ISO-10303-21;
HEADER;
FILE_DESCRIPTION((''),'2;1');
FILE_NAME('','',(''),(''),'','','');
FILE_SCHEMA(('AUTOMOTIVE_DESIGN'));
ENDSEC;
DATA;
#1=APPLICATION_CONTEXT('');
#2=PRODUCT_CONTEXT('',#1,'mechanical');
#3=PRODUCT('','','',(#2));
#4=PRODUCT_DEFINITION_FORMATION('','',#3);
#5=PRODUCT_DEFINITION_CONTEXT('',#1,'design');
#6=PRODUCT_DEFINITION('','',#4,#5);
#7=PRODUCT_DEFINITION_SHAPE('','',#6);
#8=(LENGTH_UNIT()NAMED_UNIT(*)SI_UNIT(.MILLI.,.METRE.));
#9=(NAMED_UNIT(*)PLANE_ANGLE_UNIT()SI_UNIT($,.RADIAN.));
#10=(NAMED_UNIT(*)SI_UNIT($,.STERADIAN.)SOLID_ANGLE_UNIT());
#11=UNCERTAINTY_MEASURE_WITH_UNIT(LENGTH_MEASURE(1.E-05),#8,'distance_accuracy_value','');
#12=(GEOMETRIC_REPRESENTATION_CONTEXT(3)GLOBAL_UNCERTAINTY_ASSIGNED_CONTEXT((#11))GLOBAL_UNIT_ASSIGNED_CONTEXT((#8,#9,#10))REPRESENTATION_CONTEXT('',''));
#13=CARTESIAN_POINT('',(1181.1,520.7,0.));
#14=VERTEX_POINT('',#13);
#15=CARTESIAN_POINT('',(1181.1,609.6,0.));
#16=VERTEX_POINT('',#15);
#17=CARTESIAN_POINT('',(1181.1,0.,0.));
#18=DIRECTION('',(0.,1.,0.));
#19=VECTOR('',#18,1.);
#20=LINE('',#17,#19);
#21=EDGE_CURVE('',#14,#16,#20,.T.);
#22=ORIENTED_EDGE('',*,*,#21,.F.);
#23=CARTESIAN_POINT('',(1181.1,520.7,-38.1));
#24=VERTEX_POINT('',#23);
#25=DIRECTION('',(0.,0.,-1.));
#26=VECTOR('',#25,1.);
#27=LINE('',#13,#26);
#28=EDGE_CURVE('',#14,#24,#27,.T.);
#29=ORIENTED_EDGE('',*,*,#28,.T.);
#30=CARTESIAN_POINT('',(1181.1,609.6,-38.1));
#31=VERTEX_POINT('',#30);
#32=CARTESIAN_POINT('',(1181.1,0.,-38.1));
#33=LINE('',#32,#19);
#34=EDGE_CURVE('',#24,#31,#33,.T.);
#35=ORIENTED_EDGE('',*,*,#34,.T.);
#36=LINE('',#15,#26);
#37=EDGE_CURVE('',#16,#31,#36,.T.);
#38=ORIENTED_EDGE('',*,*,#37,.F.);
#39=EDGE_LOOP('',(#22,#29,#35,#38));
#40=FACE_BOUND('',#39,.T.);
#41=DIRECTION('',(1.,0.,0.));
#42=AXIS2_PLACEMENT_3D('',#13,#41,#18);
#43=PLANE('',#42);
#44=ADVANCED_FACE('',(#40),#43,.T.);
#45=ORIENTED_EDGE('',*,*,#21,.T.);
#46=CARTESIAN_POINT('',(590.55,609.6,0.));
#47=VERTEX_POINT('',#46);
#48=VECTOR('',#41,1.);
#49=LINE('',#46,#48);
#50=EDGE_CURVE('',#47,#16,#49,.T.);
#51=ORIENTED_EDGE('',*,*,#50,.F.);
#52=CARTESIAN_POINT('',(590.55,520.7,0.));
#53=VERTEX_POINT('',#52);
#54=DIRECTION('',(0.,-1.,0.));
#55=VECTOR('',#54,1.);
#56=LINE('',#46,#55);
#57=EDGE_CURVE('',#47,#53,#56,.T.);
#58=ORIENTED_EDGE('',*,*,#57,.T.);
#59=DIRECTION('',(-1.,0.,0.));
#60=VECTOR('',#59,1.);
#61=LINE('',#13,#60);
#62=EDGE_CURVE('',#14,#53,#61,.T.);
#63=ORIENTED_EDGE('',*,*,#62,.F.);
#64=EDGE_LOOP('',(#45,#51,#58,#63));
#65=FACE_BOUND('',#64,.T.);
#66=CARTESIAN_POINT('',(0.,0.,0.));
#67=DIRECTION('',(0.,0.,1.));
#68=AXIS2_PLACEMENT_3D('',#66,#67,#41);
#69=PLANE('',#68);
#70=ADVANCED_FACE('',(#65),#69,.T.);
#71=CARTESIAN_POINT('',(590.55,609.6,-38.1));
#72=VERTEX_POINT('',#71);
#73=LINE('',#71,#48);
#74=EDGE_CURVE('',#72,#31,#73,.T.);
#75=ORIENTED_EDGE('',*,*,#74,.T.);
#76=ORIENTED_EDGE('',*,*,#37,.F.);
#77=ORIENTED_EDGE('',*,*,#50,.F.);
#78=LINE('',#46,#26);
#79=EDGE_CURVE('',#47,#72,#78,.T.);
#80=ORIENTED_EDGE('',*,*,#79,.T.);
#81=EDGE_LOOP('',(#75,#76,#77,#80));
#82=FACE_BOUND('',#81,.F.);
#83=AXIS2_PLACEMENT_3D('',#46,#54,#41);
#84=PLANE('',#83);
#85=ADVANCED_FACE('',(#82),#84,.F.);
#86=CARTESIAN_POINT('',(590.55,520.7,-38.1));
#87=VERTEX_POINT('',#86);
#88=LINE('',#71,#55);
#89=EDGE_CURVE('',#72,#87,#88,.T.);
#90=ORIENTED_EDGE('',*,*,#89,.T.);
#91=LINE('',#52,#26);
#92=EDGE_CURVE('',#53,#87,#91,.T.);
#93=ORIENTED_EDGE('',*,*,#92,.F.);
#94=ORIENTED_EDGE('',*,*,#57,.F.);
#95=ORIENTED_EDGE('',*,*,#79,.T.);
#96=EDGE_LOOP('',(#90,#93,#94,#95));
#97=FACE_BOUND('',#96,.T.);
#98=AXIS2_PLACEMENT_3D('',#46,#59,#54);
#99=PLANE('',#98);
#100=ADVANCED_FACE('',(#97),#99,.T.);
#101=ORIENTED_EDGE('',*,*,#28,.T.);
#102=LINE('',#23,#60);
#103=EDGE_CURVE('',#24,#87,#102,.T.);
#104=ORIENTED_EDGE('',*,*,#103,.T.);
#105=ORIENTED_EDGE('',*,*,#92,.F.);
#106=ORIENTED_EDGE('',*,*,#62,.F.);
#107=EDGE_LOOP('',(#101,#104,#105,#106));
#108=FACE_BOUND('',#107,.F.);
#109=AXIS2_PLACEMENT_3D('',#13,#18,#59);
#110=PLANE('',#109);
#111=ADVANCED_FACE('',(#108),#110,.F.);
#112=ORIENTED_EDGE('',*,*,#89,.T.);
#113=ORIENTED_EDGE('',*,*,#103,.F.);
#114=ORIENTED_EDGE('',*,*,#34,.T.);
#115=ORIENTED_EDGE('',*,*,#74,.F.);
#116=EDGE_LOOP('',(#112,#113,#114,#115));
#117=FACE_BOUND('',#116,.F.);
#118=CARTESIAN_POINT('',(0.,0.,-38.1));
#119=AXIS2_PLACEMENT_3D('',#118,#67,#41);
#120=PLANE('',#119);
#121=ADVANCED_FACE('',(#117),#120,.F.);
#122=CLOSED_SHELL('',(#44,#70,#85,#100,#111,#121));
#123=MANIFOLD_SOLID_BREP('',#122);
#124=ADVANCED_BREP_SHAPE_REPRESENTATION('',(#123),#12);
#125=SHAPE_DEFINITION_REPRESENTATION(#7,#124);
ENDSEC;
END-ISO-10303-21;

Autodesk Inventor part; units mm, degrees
ref_plane "YZ Plane" through (0, 0, 0) normal (1, 0, 0) x (0, 1, 0)
ref_plane "XZ Plane" through (0, 0, 0) normal (0, 1, 0) x (-1, 0, 0)
ref_plane "XY Plane" through (0, 0, 0) normal (0, 0, 1) x (1, 0, 0)
sketch "Sketch1" plane through (0, 0, 0) normal (0, 0, 1) x (1, 0, 0)
  line L0 (0, 0) -> (1219.2, 0) projected
  line L1 (1181.1, 0) -> (1181.1, 609.6) projected
  line L2 (1181.1, 1219.2) -> (0, 0) projected
  line L3 (0, 0) -> (590.55, 609.6)
  line L4 (590.55, 520.7) -> (590.55, 481.8325)
  line L5 (590.55, 481.8325) -> (123.7747, 0)
  line L6 (590.55, 609.6) -> (1181.1, 609.6)
  line L7 (1181.1, 520.7) -> (590.55, 520.7)
  line L8 (590.55, 609.6) -> (590.55, 520.7)
  dimension "d0" = 88.9
  dimension "d1" = 88.9
extrude "Extrusion1" add sketch "Sketch1" against normal blind 38.1 contours L6 L1 L7 L8
properties part number "2x4x23.25"
